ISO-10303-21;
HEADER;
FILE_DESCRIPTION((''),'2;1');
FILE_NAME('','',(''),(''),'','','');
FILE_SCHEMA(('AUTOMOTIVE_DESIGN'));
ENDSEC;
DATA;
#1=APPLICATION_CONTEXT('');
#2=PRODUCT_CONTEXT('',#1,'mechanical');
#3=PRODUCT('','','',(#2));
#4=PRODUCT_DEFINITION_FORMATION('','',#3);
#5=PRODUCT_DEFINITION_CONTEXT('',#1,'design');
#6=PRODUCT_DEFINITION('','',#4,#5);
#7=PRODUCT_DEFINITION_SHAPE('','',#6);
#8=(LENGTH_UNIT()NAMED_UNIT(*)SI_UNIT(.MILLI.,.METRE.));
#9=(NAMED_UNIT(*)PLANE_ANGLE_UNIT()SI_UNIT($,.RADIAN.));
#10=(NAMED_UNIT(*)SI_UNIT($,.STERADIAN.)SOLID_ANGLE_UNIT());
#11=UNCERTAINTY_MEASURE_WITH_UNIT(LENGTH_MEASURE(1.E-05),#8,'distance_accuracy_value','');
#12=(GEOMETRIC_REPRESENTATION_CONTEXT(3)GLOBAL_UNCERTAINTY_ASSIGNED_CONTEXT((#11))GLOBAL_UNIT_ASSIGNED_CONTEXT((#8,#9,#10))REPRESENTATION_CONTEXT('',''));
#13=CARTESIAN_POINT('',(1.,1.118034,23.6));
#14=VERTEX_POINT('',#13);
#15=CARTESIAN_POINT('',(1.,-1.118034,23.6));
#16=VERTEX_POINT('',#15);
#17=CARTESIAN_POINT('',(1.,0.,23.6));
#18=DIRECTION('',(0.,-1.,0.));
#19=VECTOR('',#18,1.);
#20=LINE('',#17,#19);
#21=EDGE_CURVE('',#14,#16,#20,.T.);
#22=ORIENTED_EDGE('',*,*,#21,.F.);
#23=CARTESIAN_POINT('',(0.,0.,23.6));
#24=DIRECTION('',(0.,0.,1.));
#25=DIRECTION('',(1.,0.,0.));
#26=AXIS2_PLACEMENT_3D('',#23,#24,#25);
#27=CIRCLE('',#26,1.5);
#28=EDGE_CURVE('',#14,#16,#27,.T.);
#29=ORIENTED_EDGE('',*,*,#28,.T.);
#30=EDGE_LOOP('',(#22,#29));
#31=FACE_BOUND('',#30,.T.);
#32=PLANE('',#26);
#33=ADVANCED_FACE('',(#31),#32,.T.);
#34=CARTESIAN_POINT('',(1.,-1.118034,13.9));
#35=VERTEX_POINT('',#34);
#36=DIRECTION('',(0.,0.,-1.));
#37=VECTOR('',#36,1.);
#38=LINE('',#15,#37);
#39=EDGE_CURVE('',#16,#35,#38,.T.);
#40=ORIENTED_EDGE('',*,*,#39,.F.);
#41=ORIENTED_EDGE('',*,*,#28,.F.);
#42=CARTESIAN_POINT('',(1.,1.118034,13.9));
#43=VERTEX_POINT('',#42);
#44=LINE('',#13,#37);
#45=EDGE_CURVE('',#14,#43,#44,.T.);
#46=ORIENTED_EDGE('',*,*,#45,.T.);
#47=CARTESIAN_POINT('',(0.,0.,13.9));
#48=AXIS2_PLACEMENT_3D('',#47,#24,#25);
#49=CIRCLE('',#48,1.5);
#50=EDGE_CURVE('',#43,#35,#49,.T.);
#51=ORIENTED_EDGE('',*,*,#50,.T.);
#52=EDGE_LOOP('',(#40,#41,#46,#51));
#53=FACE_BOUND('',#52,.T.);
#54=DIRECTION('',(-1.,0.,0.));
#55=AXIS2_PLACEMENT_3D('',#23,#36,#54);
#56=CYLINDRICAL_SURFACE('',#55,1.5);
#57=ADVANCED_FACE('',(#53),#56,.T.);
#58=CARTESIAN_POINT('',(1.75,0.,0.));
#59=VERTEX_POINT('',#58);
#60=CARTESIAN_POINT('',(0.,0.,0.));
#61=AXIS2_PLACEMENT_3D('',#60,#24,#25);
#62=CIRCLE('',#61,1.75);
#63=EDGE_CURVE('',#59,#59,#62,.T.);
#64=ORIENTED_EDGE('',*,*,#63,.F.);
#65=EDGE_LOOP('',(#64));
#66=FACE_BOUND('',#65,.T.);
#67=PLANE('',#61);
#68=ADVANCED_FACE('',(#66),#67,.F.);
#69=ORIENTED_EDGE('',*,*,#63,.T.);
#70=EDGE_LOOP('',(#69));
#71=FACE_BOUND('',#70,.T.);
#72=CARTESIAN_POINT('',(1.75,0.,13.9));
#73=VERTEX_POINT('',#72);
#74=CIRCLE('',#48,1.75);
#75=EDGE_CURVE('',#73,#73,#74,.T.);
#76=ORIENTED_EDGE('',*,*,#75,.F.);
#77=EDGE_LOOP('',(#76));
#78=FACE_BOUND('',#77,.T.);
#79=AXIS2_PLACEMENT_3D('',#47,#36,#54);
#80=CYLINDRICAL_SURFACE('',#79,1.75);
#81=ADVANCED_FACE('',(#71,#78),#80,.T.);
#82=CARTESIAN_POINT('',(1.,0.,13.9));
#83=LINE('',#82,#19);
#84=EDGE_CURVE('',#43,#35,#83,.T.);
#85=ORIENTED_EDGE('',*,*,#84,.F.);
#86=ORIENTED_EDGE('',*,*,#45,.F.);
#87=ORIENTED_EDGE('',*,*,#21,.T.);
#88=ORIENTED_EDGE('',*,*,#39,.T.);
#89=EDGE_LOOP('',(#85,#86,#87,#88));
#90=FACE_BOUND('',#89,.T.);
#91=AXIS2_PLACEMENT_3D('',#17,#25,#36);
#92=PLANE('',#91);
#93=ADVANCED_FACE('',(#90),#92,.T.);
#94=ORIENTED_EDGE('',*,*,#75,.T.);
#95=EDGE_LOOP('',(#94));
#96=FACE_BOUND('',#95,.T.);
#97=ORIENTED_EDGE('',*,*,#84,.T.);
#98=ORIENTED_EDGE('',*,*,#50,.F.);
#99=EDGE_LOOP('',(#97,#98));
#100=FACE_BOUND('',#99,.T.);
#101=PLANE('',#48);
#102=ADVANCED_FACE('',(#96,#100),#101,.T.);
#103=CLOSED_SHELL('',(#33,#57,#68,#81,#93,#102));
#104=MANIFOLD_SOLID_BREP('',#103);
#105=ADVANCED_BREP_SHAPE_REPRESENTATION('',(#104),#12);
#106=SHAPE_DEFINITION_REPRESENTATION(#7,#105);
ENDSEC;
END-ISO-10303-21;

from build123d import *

# Parameters (mm, degrees)
SKETCH1_R           = 1.75
BOSS_EXTRUDE1_DEPTH = 13.9
BOSS_EXTRUDE2_DEPTH = 9.7


with BuildPart() as part:
    # Sketch1 → Boss-Extrude1 (new body)
    with BuildSketch(Plane.XY):
        Circle(SKETCH1_R)
    extrude(amount=BOSS_EXTRUDE1_DEPTH)

    # Sketch2 → Boss-Extrude2 (add)
    with BuildSketch(Plane.XY.offset(13.9)):
        with BuildLine():
            Line((1, -1.118033989), (1, 1.118033989))
            ThreePointArc((1, 1.118033989), (-1.5, 0), (1, -1.118033989))
        make_face()
    extrude(amount=BOSS_EXTRUDE2_DEPTH)


solid = part.part
